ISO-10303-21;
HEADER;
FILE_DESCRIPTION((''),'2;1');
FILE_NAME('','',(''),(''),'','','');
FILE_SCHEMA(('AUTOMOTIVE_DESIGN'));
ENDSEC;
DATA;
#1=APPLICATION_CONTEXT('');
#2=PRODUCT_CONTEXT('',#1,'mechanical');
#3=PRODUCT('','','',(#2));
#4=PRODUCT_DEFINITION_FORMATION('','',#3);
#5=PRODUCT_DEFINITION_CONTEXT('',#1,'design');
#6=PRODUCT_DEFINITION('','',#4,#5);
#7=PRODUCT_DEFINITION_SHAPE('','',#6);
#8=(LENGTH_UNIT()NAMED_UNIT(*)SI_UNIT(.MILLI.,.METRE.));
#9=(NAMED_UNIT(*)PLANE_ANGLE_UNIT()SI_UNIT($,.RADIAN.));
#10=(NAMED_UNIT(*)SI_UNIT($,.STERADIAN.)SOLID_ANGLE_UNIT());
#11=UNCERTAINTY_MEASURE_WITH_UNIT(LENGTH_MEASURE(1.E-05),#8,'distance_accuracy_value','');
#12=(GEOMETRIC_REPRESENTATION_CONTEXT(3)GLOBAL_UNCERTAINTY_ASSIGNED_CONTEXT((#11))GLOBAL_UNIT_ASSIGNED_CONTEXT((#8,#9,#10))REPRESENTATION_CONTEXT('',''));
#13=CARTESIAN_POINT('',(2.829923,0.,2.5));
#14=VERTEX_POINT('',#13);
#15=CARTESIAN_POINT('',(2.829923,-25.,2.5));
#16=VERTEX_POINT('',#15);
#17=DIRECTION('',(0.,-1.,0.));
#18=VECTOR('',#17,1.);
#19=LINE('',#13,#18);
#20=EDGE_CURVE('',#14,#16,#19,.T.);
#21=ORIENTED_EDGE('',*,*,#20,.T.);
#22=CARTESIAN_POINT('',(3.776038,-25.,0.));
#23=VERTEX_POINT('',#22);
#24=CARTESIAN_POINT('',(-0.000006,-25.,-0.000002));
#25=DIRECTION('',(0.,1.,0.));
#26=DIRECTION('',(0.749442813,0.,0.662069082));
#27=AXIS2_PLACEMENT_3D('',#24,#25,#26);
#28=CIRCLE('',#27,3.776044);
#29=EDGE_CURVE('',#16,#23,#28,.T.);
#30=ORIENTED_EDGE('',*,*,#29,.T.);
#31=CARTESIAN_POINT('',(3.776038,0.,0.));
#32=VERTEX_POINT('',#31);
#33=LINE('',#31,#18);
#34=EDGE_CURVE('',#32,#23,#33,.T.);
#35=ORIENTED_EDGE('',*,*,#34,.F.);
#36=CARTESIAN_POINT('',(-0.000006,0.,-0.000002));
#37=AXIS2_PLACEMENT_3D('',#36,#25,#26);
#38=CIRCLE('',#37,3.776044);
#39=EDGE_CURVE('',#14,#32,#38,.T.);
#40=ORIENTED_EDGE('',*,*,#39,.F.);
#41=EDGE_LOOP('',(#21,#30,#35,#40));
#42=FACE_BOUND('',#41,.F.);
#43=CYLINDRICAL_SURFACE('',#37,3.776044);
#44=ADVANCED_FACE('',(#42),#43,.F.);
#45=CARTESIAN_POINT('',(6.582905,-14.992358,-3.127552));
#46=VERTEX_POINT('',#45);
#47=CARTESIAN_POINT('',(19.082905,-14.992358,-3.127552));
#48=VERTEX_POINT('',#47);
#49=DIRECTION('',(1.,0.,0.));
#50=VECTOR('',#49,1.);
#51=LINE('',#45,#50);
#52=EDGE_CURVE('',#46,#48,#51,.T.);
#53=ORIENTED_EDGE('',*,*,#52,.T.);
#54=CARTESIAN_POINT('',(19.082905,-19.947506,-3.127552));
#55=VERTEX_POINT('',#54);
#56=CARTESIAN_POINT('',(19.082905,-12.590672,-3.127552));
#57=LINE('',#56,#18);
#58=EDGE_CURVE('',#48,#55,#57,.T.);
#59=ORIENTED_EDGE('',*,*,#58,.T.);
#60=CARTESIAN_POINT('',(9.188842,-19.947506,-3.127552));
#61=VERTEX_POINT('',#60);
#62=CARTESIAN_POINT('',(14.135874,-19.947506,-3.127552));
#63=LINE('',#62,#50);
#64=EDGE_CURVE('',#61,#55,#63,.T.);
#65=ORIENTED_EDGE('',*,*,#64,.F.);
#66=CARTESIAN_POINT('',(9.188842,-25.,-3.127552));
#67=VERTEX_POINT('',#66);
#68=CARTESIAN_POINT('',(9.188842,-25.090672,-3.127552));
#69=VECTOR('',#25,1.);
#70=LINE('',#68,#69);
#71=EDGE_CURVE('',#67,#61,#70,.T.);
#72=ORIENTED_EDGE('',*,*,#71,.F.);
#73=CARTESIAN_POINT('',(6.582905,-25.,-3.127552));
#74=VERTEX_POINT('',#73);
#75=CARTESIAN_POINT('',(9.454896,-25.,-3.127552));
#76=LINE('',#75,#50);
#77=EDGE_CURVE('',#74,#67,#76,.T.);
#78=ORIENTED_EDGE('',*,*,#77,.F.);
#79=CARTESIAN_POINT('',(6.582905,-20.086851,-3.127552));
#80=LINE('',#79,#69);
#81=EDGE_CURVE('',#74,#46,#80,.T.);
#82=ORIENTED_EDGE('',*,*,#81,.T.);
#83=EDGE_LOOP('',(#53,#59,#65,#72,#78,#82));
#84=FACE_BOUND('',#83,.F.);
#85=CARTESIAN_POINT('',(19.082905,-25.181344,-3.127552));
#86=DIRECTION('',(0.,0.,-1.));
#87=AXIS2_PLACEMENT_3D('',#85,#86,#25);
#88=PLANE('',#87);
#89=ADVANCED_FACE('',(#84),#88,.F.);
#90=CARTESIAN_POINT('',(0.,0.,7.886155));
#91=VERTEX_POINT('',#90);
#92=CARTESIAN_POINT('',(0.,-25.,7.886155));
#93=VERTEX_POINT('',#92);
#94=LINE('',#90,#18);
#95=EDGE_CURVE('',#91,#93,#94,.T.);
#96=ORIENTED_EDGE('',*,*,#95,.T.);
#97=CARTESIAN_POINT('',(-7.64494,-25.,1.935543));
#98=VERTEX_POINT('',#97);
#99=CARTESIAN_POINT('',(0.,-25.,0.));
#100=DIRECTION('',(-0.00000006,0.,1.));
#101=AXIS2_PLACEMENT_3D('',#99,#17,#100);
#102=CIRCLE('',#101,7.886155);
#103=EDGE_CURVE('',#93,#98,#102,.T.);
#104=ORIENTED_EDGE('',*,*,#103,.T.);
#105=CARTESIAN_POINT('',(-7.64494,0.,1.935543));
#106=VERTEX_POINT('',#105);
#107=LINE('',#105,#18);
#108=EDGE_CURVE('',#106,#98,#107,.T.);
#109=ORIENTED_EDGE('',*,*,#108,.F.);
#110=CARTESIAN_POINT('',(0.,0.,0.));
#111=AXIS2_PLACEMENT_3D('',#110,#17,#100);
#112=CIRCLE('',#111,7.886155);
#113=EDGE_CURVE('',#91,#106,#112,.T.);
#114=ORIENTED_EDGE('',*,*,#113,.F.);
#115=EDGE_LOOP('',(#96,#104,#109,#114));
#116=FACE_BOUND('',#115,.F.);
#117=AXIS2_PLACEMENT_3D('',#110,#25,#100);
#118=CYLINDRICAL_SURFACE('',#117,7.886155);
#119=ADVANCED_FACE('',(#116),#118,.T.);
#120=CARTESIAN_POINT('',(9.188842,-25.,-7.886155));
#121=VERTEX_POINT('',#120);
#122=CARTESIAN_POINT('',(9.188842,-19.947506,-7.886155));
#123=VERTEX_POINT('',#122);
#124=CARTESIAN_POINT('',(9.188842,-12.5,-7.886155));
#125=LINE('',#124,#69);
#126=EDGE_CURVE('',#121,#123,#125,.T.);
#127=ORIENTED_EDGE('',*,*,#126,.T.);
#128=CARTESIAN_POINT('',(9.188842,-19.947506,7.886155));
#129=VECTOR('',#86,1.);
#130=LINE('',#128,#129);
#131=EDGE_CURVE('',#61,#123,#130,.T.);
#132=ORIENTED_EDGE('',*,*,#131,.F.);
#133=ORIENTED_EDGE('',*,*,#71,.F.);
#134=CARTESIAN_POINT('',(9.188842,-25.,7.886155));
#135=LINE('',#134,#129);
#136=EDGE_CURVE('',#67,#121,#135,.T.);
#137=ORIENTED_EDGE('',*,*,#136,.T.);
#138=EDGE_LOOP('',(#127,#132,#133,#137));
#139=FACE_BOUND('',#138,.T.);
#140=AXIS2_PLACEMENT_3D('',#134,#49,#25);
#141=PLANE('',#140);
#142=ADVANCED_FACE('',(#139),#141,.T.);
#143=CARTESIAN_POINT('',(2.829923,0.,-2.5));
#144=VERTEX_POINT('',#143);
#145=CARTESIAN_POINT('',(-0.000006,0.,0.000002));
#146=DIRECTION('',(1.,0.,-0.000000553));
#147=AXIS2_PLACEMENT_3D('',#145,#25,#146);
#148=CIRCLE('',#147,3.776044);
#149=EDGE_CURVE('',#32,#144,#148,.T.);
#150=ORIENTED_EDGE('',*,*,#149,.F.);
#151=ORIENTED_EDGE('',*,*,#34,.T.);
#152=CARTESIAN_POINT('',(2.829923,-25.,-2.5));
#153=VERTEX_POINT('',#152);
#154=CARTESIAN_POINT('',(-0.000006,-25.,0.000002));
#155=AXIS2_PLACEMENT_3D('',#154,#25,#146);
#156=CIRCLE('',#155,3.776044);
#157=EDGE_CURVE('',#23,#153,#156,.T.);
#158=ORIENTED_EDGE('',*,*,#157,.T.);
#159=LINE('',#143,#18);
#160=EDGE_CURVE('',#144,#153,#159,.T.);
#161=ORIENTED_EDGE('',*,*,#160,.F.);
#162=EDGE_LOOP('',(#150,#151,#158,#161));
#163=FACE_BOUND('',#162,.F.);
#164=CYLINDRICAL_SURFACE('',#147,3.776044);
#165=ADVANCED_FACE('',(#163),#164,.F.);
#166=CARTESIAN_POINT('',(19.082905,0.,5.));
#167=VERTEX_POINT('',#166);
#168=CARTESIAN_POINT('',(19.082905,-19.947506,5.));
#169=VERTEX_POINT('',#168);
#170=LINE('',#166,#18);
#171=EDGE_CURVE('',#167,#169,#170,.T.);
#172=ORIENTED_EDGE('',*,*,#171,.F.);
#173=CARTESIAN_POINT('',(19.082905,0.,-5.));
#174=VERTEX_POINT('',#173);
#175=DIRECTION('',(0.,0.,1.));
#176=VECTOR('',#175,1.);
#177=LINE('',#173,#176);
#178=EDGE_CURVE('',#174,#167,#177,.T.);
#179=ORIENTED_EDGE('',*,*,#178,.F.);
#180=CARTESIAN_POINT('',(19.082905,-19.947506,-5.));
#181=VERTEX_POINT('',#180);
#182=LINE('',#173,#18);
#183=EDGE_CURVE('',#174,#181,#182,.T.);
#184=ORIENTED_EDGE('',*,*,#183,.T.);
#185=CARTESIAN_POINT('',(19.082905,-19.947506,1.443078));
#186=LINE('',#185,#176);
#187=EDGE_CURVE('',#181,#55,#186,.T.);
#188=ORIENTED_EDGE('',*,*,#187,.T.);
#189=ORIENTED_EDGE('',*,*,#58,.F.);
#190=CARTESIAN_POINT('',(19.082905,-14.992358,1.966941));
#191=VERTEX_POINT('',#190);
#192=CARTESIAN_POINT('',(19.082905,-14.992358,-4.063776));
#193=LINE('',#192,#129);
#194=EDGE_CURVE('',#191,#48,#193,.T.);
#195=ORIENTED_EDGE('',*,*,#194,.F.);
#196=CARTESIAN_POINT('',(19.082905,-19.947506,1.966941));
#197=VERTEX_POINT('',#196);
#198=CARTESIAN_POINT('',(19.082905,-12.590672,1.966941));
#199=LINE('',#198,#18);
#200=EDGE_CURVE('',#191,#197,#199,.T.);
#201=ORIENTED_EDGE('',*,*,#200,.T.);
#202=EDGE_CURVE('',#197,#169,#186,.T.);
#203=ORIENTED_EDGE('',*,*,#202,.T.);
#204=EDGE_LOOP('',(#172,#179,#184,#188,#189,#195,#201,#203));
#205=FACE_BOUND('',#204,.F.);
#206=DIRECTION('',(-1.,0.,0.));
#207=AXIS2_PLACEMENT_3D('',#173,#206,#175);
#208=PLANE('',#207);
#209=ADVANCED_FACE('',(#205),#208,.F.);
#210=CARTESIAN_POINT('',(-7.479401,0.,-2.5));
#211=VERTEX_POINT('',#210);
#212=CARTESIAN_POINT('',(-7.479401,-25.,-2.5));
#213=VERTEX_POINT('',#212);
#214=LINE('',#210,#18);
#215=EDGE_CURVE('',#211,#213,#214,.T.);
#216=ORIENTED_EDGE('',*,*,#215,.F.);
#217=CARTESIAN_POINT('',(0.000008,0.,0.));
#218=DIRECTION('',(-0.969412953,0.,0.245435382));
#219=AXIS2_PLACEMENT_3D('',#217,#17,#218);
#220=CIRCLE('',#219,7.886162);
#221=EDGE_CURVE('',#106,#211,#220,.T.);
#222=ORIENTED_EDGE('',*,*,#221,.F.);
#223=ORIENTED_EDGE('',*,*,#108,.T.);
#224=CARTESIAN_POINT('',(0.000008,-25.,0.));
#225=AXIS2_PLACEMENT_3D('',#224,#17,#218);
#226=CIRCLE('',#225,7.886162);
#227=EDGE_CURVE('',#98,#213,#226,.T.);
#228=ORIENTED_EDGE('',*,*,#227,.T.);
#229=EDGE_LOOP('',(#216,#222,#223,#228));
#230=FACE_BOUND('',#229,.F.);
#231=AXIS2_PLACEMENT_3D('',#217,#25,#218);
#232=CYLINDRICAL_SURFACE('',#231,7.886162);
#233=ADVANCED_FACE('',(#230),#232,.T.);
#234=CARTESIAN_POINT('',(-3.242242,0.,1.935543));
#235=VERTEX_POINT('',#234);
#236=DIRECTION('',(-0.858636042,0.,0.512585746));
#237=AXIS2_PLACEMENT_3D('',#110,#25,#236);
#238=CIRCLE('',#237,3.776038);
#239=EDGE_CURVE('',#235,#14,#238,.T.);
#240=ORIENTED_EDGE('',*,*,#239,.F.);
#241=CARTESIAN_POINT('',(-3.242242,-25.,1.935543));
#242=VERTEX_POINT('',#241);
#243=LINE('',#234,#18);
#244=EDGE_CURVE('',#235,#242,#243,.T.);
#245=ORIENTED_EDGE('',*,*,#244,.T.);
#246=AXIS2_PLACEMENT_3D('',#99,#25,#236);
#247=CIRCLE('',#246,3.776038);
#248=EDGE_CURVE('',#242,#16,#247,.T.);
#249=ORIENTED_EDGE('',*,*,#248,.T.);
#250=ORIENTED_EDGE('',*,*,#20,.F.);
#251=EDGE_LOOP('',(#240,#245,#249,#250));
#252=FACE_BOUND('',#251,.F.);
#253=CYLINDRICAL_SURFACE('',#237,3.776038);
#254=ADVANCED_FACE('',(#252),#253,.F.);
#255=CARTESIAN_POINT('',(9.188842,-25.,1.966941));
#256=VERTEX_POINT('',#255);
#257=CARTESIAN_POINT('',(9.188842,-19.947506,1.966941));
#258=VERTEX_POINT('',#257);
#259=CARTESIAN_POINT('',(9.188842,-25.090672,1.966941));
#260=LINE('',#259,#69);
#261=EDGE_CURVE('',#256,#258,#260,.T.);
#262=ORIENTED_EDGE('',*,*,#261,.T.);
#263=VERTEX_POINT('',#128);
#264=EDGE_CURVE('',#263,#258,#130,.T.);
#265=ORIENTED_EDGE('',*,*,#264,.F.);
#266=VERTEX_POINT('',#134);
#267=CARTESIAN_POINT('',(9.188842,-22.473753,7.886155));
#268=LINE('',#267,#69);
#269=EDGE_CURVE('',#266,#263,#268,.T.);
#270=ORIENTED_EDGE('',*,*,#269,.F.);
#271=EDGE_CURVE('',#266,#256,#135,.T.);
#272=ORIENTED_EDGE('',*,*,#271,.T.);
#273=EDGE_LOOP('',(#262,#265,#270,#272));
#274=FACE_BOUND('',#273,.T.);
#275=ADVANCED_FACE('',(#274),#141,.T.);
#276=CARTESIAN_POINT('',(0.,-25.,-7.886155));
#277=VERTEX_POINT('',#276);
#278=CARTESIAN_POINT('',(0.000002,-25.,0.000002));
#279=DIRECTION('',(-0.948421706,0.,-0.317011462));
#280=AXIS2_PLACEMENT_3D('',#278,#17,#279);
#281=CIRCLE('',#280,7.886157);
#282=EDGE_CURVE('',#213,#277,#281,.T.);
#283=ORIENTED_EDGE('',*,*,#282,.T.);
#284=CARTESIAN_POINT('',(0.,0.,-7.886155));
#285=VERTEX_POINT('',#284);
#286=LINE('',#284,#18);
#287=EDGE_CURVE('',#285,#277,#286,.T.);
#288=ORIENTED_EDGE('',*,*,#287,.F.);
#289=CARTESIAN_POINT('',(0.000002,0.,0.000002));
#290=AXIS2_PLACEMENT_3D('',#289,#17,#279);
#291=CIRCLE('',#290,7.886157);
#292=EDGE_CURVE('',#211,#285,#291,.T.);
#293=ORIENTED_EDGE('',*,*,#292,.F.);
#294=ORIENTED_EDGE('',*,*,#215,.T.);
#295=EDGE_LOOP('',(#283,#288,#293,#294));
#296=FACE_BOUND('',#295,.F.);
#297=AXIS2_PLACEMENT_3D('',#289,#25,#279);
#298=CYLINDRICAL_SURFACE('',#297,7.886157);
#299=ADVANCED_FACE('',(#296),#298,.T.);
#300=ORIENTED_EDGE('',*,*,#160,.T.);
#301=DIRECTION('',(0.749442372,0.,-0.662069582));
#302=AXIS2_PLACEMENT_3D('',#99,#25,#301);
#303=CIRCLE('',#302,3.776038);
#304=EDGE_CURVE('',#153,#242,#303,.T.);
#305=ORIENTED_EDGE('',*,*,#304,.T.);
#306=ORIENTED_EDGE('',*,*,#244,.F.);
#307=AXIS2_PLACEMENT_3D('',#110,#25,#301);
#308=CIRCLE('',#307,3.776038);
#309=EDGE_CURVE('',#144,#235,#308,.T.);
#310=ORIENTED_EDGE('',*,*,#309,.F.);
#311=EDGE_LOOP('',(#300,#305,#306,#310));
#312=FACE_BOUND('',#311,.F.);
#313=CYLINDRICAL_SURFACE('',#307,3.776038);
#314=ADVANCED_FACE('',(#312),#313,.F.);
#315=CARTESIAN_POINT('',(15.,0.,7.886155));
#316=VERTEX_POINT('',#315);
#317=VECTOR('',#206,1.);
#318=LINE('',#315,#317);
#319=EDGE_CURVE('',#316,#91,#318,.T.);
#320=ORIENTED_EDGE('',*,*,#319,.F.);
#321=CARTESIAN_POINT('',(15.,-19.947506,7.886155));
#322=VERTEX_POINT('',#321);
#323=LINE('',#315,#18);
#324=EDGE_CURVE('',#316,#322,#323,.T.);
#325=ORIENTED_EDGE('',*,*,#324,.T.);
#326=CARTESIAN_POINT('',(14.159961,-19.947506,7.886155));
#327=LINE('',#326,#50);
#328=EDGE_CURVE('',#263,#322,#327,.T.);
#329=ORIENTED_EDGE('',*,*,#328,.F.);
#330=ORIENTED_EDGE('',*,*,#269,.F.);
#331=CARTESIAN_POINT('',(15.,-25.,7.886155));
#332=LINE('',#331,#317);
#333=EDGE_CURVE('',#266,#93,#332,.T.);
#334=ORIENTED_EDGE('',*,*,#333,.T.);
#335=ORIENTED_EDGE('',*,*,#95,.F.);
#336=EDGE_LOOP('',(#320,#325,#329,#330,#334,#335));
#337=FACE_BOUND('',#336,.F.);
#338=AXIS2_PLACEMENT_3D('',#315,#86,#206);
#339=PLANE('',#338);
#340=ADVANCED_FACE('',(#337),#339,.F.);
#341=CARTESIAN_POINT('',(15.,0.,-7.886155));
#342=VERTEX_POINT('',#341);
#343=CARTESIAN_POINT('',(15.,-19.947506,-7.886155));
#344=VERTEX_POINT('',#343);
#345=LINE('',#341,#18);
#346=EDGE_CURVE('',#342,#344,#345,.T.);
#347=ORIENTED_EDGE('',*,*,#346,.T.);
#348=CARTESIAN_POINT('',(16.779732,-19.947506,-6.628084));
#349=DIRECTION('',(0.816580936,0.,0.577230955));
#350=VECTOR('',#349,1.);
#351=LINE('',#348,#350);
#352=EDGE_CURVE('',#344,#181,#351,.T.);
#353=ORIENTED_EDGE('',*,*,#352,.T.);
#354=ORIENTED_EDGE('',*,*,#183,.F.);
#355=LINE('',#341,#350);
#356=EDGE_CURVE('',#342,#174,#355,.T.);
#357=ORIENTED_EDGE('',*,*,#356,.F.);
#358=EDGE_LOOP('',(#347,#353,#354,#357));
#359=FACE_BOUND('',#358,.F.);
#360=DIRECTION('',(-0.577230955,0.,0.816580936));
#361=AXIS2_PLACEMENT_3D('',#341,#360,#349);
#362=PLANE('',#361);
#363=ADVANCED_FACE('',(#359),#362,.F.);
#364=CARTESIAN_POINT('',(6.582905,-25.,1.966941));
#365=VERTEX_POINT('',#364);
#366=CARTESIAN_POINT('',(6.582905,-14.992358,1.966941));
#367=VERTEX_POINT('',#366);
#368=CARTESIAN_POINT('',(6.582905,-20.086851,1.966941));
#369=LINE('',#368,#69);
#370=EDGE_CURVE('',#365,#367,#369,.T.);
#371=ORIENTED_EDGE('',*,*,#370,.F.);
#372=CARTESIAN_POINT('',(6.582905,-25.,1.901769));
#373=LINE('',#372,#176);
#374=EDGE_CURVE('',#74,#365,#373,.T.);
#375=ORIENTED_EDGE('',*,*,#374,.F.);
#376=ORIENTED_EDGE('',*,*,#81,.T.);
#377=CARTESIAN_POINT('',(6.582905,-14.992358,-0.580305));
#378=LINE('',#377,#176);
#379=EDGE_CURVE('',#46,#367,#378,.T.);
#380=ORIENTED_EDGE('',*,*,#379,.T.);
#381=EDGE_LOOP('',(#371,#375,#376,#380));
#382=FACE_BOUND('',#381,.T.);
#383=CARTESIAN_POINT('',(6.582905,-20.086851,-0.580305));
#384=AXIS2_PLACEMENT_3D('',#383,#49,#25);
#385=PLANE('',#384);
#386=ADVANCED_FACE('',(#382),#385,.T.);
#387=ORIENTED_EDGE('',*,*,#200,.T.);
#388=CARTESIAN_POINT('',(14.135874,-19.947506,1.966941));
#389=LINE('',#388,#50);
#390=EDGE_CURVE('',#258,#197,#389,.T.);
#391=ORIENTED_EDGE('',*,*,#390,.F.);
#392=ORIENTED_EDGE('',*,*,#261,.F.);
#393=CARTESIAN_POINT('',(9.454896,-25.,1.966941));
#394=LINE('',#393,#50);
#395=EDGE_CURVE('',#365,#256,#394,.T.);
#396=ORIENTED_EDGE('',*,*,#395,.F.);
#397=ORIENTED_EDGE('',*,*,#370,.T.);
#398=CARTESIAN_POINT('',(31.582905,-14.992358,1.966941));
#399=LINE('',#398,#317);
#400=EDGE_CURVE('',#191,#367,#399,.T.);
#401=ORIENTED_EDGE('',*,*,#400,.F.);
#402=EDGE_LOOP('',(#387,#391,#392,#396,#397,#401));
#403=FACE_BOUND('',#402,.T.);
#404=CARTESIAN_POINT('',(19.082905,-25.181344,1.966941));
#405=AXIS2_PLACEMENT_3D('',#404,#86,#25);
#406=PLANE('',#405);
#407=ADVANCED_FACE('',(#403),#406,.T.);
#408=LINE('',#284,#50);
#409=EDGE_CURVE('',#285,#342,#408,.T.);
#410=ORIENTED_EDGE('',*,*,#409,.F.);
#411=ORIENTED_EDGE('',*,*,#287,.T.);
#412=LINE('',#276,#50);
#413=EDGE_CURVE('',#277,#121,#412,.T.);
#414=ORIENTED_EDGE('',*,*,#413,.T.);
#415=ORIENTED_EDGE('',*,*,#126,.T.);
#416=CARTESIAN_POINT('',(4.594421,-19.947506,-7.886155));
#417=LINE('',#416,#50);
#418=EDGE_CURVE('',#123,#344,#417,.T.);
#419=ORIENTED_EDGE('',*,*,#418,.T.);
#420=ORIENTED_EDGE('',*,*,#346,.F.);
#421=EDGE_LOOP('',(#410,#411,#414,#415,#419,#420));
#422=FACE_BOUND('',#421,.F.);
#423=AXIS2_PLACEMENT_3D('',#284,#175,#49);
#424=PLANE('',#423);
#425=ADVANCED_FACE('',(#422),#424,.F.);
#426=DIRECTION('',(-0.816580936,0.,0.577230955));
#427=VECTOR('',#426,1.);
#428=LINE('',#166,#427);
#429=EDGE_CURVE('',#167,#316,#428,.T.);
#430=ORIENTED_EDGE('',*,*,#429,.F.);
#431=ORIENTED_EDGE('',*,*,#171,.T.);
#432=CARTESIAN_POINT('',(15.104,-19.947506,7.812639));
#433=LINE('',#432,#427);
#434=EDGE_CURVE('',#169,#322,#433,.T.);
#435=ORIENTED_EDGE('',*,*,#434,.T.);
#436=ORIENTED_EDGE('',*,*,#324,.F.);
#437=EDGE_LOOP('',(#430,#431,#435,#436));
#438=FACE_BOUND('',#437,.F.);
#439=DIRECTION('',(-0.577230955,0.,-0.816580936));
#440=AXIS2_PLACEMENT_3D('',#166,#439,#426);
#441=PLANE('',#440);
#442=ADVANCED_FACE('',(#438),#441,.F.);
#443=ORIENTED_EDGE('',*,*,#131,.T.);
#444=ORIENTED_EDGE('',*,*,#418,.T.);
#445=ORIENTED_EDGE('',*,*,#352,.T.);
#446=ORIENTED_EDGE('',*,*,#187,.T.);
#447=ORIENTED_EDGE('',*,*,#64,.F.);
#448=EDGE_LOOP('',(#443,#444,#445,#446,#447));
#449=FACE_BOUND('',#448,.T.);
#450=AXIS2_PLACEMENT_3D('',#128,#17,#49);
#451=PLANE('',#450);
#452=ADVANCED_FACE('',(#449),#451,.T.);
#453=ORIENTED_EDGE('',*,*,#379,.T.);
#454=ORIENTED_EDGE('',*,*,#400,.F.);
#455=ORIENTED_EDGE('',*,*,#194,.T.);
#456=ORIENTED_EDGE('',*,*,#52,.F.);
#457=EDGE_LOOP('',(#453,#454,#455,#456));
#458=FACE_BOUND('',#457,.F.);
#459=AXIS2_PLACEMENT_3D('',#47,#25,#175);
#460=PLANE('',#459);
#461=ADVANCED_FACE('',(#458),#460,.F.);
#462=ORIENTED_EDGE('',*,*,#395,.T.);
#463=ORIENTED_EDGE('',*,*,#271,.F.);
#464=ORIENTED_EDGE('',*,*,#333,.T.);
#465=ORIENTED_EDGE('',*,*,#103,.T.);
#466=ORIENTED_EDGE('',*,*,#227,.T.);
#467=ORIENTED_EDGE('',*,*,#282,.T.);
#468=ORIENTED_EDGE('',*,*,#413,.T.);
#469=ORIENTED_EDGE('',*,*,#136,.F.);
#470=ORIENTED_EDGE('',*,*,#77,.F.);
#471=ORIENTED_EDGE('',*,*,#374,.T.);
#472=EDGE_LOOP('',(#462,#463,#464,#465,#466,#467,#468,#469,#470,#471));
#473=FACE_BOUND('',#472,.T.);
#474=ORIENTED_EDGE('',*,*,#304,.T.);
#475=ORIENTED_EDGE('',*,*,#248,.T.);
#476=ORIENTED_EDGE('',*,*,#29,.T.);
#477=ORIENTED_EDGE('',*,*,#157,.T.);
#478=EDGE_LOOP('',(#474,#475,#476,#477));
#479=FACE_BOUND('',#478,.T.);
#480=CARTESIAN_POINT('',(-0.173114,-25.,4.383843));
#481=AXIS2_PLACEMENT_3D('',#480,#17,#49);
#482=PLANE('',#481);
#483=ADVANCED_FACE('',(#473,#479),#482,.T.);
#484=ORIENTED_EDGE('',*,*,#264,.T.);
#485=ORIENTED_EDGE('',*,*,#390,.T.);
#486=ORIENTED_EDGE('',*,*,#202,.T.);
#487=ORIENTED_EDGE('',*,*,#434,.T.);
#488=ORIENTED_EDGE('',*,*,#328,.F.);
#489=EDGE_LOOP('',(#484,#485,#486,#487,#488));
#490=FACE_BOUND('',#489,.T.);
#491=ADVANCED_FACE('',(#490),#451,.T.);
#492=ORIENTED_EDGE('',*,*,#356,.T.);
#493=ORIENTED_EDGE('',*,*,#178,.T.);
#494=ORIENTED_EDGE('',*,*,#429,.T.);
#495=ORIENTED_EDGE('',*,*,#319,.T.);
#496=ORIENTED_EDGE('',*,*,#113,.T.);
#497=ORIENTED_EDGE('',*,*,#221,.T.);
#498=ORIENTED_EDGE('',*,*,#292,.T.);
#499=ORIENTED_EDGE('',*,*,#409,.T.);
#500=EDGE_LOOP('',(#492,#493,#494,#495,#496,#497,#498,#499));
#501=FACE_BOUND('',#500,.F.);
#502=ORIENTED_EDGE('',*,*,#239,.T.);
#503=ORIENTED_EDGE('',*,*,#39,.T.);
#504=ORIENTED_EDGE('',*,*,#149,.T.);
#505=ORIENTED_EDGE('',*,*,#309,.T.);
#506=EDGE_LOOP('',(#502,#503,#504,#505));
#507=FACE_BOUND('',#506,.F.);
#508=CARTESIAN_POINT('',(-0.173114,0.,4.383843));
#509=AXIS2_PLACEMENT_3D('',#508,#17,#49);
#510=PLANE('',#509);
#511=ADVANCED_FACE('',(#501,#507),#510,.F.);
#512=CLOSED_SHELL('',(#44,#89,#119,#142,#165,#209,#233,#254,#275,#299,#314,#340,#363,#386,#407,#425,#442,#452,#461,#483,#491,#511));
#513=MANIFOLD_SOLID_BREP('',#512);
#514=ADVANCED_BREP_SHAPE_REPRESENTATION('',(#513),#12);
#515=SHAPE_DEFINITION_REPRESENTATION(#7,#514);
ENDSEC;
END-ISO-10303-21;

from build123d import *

# Parameters (mm, degrees)
F1_DEPTH = 25
F2_W     = 9.942237
F2_H     = 5.052494
F3_DEPTH = 15.773309
F4_W     = 10.188986
F4_H     = 5.094493
F5_DEPTH = 12.5


with BuildPart() as f1:
    # F0 (on Front) → F1 (new body)
    with BuildSketch(Plane.XZ):
        with BuildLine():
            Line((2.829923, 2.5), (7.479401, 2.5))
            ThreePointArc((7.479401, 2.5), (4.608473, 6.399485), (0, 7.886155))
            ThreePointArc((0, 7.886155), (-4.843936, 6.22316), (-7.64494, 1.935543))
            Line((-7.64494, 1.935543), (-3.242242, 1.935543))
            ThreePointArc((-3.242242, 1.935543), (-0.349506, 3.759828), (2.829923, 2.5))
        make_face()
        with BuildLine():
            Line((19.082905, 2.5), (7.479401, 2.5))
            Line((7.479401, 2.5), (2.829923, 2.5))
            ThreePointArc((2.829923, 2.5), (3.531597, 1.336519), (3.776038, 0))
            ThreePointArc((3.776038, 0), (3.531597, -1.336519), (2.829923, -2.5))
            Line((2.829923, -2.5), (7.479401, -2.5))
            Line((7.479401, -2.5), (19.082905, -2.5))
            Line((19.082905, -2.5), (19.082905, 2.5))
        make_face()
        with BuildLine():
            ThreePointArc((0, 7.886155), (4.608473, 6.399485), (7.479401, 2.5))
            Line((7.479401, 2.5), (19.082905, 2.5))
            Line((19.082905, 2.5), (19.082905, 5))
            Line((19.082905, 5), (15, 7.886155))
            Line((15, 7.886155), (0, 7.886155))
        make_face()
        with BuildLine():
            Line((-3.242242, 1.935543), (-7.64494, 1.935543))
            ThreePointArc((-7.64494, 1.935543), (-7.880668, -0.294115), (-7.479401, -2.5))
            ThreePointArc((-7.479401, -2.5), (-4.608473, -6.399485), (0, -7.886155))
            ThreePointArc((0, -7.886155), (4.608473, -6.399485), (7.479401, -2.5))
            Line((7.479401, -2.5), (2.829923, -2.5))
            ThreePointArc((2.829923, -2.5), (-2.227333, -3.049172), (-3.242242, 1.935543))
        make_face()
        with BuildLine():
            Line((19.082905, -5), (19.082905, -2.5))
            Line((19.082905, -2.5), (7.479401, -2.5))
            ThreePointArc((7.479401, -2.5), (4.608473, -6.399485), (0, -7.886155))
            Line((0, -7.886155), (15, -7.886155))
            Line((15, -7.886155), (19.082905, -5))
        make_face()
    extrude(amount=F1_DEPTH)

    # F2 (on face) → F3 (cut, through all)
    with BuildSketch(Plane.XY.offset(7.886155)):
        with Locations((14.159961, -22.473753)):
            Rectangle(F2_W, F2_H)
    extrude(amount=-F3_DEPTH, mode=Mode.SUBTRACT)

    # F4 (on face) → F5 (cut, symmetric)
    with BuildSketch(Plane.YZ.offset(19.082905)):
        with Locations((-20.086851, -0.580305)):
            Rectangle(F4_W, F4_H)
    extrude(amount=F5_DEPTH, both=True, mode=Mode.SUBTRACT)


solid = f1.part
